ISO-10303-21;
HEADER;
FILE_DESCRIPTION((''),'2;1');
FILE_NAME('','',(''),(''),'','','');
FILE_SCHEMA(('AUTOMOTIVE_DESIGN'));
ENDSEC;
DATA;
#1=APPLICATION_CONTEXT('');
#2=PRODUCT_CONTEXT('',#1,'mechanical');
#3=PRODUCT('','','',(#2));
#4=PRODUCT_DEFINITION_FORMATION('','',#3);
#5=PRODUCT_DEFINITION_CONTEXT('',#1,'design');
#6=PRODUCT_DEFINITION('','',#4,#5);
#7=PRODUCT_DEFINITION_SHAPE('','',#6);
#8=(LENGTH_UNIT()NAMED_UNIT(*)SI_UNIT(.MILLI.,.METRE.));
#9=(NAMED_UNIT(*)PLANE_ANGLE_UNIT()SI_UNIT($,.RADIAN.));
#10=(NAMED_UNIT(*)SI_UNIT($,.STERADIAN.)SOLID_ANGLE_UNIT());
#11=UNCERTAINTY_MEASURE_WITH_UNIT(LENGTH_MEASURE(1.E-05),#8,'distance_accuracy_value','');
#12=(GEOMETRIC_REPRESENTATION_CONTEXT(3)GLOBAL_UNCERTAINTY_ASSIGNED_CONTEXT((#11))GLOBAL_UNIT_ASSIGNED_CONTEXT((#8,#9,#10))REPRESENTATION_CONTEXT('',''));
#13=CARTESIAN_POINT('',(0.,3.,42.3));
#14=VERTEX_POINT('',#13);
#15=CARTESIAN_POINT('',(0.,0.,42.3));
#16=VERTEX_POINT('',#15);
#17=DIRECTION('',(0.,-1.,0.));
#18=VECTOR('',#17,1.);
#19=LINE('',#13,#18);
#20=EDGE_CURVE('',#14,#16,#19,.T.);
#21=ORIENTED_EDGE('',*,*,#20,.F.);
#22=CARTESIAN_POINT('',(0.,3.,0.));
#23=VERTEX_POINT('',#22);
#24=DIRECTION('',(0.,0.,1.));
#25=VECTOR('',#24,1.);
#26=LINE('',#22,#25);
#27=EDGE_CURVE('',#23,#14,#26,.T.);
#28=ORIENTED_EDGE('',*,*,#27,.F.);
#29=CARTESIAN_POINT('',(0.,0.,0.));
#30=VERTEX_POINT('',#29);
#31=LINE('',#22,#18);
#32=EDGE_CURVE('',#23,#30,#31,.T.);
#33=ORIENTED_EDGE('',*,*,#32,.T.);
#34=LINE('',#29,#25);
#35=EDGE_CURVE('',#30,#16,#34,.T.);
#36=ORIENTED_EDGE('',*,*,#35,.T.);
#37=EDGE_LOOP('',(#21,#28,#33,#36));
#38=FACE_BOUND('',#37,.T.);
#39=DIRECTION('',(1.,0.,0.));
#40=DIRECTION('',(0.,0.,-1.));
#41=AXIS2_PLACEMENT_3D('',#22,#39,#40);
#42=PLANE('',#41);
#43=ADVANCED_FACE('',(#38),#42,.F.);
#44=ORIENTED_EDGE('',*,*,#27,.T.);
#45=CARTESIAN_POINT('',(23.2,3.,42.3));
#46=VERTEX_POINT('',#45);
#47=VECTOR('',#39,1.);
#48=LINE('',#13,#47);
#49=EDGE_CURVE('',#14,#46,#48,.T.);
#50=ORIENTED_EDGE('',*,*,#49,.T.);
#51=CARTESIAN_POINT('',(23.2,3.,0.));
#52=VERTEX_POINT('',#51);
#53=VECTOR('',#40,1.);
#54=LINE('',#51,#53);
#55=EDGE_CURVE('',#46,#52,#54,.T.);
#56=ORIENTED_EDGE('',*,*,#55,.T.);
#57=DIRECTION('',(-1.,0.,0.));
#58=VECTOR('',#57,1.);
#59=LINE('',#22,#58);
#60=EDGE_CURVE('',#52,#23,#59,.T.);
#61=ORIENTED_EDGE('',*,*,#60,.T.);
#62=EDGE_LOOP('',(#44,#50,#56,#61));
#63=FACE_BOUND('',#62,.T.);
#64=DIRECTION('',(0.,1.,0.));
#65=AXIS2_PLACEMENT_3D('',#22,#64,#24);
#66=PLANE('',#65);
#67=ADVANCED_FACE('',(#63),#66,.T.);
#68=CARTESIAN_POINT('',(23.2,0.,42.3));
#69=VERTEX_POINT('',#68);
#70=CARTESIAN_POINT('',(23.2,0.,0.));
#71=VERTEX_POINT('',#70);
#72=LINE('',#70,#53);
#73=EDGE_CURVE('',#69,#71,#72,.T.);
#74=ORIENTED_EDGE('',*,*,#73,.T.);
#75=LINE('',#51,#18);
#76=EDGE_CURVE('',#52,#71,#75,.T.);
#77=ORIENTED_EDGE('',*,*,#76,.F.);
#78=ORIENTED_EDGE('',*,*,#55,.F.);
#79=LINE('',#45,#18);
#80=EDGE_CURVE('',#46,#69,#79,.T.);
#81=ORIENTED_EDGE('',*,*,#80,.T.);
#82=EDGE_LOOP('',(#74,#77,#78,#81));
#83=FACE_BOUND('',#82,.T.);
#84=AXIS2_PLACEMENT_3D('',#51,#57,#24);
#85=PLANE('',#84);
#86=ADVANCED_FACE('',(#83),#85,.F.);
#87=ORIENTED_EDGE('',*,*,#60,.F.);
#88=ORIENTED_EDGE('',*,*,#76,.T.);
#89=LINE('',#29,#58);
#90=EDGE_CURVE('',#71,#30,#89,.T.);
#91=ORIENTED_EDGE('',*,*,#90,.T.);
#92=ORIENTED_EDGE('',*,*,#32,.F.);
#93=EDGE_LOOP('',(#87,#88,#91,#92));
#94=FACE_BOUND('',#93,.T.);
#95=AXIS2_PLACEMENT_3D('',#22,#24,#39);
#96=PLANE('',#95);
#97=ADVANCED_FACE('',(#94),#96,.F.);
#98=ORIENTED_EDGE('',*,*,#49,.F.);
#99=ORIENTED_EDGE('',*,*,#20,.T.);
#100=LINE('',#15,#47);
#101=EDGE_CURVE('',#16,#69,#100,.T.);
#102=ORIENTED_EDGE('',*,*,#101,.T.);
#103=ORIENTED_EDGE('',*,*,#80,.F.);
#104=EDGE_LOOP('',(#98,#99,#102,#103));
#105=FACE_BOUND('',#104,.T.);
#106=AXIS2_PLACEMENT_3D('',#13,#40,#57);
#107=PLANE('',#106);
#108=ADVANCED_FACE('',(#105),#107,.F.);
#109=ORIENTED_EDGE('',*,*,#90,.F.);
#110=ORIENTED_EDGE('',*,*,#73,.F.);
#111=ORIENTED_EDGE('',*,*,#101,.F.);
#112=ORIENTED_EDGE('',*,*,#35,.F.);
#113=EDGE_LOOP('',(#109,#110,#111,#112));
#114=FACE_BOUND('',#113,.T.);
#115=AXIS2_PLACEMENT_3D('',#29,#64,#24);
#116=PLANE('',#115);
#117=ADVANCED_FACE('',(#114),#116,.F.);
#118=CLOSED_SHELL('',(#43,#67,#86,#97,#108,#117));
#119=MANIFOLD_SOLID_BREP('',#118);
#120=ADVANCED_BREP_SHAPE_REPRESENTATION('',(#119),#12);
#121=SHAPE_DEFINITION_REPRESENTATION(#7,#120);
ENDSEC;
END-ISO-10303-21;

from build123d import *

# Parameters (mm, degrees)
SKETCH1_W           = 23.2
SKETCH1_H           = 42.3
BOSS_EXTRUDE1_DEPTH = 3


with BuildPart() as part:
    # Sketch1 → Boss-Extrude1 (new body)
    with BuildSketch(Plane(origin=(0, 0, 0), x_dir=(1, 0, 0), z_dir=(0, 1, 0))):
        with Locations((11.6, -21.15)):
            Rectangle(SKETCH1_W, SKETCH1_H)
    extrude(amount=BOSS_EXTRUDE1_DEPTH)


solid = part.part
